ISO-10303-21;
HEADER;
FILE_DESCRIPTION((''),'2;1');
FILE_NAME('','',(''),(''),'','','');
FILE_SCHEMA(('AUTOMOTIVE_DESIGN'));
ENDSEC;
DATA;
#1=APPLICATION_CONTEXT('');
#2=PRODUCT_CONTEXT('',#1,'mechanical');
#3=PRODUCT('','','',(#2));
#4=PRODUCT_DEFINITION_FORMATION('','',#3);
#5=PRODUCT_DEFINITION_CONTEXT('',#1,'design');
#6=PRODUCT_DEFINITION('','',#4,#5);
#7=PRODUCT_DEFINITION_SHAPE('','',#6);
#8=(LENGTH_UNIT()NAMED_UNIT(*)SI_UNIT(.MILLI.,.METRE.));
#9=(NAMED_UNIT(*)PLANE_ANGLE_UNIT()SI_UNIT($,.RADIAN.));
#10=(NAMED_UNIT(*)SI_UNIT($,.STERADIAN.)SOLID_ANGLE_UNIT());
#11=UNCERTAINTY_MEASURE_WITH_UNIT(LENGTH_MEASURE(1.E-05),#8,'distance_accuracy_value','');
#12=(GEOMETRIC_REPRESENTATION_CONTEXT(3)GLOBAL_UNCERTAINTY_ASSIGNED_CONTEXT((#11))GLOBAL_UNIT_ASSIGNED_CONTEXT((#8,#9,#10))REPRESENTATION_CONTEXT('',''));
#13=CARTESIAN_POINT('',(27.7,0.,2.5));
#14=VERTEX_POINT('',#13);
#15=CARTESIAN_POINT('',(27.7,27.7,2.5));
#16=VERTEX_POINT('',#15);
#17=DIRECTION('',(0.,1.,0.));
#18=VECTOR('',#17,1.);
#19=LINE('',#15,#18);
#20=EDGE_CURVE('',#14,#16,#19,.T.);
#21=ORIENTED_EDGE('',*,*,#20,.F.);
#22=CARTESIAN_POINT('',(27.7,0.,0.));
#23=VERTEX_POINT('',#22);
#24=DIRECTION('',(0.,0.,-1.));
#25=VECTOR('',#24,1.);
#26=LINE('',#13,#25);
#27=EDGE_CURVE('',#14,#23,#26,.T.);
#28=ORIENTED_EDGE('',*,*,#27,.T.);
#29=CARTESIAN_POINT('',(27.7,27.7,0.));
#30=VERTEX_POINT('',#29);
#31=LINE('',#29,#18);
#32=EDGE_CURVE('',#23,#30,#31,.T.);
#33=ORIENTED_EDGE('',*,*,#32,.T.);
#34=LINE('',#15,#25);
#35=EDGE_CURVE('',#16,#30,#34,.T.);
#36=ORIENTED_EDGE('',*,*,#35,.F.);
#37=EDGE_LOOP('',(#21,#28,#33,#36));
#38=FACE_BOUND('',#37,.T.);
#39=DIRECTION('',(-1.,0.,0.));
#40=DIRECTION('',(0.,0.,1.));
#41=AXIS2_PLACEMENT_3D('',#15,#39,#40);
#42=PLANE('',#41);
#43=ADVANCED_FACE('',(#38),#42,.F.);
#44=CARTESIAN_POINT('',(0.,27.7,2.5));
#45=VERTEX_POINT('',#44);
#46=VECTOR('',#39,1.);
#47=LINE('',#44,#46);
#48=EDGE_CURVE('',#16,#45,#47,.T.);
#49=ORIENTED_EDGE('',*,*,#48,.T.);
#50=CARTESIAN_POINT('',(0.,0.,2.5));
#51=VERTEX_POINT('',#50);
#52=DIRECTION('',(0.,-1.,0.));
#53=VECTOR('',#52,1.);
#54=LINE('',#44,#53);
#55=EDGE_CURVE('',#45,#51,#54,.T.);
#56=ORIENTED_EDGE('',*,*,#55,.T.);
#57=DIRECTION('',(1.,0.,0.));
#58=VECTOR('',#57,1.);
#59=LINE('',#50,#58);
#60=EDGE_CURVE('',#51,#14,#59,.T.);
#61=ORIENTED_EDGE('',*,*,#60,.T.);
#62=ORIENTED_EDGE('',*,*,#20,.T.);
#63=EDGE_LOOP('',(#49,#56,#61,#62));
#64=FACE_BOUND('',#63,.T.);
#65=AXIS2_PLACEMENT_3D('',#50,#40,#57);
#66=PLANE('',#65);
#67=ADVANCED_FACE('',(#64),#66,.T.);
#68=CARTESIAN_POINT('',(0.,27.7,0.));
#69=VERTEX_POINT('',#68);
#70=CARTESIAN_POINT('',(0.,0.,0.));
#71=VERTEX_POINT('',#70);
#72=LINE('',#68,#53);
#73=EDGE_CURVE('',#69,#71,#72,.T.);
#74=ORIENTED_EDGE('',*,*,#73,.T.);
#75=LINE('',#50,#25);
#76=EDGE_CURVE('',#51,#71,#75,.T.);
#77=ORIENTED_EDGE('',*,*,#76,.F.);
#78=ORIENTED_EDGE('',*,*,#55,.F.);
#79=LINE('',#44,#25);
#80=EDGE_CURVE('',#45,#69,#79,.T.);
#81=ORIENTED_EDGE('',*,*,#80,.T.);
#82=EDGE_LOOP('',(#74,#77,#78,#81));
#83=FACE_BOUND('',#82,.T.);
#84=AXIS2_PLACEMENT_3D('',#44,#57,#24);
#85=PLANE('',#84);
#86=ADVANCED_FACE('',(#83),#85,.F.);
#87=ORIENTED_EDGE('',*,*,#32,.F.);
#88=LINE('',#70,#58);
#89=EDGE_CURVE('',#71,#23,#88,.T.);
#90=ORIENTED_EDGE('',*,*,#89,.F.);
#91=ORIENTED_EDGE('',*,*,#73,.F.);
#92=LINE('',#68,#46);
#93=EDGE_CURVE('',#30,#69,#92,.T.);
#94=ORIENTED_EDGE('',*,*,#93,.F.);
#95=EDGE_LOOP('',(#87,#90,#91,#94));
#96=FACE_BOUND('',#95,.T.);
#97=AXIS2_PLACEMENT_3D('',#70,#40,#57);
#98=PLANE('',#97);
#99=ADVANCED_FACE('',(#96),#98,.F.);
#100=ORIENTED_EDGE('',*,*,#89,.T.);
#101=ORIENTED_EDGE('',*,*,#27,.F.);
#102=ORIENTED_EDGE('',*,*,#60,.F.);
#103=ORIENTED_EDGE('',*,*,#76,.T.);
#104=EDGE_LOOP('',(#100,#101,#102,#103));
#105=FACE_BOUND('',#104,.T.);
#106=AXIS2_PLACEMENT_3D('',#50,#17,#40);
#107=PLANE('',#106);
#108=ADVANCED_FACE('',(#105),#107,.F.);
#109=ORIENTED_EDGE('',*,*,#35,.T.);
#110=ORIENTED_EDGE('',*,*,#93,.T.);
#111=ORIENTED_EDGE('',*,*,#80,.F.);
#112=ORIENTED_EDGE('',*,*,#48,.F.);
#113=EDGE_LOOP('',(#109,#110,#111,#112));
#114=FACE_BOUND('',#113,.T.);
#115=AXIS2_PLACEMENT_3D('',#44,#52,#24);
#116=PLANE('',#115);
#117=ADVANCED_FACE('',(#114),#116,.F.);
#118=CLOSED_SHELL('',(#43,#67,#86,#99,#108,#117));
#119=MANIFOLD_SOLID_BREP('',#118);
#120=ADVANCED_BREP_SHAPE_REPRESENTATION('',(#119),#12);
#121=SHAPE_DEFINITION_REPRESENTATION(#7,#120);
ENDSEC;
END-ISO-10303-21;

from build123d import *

# Parameters (mm, degrees)
SKETCH17_W     = 27.7
SKETCH17_H     = 27.7
FILTER_2_DEPTH = 2.5


with BuildPart() as part:
    # Sketch17 → filter 2 (new body)
    with BuildSketch(Plane.XY):
        with Locations((13.85, 13.85)):
            Rectangle(SKETCH17_W, SKETCH17_H)
    extrude(amount=FILTER_2_DEPTH)


solid = part.part
